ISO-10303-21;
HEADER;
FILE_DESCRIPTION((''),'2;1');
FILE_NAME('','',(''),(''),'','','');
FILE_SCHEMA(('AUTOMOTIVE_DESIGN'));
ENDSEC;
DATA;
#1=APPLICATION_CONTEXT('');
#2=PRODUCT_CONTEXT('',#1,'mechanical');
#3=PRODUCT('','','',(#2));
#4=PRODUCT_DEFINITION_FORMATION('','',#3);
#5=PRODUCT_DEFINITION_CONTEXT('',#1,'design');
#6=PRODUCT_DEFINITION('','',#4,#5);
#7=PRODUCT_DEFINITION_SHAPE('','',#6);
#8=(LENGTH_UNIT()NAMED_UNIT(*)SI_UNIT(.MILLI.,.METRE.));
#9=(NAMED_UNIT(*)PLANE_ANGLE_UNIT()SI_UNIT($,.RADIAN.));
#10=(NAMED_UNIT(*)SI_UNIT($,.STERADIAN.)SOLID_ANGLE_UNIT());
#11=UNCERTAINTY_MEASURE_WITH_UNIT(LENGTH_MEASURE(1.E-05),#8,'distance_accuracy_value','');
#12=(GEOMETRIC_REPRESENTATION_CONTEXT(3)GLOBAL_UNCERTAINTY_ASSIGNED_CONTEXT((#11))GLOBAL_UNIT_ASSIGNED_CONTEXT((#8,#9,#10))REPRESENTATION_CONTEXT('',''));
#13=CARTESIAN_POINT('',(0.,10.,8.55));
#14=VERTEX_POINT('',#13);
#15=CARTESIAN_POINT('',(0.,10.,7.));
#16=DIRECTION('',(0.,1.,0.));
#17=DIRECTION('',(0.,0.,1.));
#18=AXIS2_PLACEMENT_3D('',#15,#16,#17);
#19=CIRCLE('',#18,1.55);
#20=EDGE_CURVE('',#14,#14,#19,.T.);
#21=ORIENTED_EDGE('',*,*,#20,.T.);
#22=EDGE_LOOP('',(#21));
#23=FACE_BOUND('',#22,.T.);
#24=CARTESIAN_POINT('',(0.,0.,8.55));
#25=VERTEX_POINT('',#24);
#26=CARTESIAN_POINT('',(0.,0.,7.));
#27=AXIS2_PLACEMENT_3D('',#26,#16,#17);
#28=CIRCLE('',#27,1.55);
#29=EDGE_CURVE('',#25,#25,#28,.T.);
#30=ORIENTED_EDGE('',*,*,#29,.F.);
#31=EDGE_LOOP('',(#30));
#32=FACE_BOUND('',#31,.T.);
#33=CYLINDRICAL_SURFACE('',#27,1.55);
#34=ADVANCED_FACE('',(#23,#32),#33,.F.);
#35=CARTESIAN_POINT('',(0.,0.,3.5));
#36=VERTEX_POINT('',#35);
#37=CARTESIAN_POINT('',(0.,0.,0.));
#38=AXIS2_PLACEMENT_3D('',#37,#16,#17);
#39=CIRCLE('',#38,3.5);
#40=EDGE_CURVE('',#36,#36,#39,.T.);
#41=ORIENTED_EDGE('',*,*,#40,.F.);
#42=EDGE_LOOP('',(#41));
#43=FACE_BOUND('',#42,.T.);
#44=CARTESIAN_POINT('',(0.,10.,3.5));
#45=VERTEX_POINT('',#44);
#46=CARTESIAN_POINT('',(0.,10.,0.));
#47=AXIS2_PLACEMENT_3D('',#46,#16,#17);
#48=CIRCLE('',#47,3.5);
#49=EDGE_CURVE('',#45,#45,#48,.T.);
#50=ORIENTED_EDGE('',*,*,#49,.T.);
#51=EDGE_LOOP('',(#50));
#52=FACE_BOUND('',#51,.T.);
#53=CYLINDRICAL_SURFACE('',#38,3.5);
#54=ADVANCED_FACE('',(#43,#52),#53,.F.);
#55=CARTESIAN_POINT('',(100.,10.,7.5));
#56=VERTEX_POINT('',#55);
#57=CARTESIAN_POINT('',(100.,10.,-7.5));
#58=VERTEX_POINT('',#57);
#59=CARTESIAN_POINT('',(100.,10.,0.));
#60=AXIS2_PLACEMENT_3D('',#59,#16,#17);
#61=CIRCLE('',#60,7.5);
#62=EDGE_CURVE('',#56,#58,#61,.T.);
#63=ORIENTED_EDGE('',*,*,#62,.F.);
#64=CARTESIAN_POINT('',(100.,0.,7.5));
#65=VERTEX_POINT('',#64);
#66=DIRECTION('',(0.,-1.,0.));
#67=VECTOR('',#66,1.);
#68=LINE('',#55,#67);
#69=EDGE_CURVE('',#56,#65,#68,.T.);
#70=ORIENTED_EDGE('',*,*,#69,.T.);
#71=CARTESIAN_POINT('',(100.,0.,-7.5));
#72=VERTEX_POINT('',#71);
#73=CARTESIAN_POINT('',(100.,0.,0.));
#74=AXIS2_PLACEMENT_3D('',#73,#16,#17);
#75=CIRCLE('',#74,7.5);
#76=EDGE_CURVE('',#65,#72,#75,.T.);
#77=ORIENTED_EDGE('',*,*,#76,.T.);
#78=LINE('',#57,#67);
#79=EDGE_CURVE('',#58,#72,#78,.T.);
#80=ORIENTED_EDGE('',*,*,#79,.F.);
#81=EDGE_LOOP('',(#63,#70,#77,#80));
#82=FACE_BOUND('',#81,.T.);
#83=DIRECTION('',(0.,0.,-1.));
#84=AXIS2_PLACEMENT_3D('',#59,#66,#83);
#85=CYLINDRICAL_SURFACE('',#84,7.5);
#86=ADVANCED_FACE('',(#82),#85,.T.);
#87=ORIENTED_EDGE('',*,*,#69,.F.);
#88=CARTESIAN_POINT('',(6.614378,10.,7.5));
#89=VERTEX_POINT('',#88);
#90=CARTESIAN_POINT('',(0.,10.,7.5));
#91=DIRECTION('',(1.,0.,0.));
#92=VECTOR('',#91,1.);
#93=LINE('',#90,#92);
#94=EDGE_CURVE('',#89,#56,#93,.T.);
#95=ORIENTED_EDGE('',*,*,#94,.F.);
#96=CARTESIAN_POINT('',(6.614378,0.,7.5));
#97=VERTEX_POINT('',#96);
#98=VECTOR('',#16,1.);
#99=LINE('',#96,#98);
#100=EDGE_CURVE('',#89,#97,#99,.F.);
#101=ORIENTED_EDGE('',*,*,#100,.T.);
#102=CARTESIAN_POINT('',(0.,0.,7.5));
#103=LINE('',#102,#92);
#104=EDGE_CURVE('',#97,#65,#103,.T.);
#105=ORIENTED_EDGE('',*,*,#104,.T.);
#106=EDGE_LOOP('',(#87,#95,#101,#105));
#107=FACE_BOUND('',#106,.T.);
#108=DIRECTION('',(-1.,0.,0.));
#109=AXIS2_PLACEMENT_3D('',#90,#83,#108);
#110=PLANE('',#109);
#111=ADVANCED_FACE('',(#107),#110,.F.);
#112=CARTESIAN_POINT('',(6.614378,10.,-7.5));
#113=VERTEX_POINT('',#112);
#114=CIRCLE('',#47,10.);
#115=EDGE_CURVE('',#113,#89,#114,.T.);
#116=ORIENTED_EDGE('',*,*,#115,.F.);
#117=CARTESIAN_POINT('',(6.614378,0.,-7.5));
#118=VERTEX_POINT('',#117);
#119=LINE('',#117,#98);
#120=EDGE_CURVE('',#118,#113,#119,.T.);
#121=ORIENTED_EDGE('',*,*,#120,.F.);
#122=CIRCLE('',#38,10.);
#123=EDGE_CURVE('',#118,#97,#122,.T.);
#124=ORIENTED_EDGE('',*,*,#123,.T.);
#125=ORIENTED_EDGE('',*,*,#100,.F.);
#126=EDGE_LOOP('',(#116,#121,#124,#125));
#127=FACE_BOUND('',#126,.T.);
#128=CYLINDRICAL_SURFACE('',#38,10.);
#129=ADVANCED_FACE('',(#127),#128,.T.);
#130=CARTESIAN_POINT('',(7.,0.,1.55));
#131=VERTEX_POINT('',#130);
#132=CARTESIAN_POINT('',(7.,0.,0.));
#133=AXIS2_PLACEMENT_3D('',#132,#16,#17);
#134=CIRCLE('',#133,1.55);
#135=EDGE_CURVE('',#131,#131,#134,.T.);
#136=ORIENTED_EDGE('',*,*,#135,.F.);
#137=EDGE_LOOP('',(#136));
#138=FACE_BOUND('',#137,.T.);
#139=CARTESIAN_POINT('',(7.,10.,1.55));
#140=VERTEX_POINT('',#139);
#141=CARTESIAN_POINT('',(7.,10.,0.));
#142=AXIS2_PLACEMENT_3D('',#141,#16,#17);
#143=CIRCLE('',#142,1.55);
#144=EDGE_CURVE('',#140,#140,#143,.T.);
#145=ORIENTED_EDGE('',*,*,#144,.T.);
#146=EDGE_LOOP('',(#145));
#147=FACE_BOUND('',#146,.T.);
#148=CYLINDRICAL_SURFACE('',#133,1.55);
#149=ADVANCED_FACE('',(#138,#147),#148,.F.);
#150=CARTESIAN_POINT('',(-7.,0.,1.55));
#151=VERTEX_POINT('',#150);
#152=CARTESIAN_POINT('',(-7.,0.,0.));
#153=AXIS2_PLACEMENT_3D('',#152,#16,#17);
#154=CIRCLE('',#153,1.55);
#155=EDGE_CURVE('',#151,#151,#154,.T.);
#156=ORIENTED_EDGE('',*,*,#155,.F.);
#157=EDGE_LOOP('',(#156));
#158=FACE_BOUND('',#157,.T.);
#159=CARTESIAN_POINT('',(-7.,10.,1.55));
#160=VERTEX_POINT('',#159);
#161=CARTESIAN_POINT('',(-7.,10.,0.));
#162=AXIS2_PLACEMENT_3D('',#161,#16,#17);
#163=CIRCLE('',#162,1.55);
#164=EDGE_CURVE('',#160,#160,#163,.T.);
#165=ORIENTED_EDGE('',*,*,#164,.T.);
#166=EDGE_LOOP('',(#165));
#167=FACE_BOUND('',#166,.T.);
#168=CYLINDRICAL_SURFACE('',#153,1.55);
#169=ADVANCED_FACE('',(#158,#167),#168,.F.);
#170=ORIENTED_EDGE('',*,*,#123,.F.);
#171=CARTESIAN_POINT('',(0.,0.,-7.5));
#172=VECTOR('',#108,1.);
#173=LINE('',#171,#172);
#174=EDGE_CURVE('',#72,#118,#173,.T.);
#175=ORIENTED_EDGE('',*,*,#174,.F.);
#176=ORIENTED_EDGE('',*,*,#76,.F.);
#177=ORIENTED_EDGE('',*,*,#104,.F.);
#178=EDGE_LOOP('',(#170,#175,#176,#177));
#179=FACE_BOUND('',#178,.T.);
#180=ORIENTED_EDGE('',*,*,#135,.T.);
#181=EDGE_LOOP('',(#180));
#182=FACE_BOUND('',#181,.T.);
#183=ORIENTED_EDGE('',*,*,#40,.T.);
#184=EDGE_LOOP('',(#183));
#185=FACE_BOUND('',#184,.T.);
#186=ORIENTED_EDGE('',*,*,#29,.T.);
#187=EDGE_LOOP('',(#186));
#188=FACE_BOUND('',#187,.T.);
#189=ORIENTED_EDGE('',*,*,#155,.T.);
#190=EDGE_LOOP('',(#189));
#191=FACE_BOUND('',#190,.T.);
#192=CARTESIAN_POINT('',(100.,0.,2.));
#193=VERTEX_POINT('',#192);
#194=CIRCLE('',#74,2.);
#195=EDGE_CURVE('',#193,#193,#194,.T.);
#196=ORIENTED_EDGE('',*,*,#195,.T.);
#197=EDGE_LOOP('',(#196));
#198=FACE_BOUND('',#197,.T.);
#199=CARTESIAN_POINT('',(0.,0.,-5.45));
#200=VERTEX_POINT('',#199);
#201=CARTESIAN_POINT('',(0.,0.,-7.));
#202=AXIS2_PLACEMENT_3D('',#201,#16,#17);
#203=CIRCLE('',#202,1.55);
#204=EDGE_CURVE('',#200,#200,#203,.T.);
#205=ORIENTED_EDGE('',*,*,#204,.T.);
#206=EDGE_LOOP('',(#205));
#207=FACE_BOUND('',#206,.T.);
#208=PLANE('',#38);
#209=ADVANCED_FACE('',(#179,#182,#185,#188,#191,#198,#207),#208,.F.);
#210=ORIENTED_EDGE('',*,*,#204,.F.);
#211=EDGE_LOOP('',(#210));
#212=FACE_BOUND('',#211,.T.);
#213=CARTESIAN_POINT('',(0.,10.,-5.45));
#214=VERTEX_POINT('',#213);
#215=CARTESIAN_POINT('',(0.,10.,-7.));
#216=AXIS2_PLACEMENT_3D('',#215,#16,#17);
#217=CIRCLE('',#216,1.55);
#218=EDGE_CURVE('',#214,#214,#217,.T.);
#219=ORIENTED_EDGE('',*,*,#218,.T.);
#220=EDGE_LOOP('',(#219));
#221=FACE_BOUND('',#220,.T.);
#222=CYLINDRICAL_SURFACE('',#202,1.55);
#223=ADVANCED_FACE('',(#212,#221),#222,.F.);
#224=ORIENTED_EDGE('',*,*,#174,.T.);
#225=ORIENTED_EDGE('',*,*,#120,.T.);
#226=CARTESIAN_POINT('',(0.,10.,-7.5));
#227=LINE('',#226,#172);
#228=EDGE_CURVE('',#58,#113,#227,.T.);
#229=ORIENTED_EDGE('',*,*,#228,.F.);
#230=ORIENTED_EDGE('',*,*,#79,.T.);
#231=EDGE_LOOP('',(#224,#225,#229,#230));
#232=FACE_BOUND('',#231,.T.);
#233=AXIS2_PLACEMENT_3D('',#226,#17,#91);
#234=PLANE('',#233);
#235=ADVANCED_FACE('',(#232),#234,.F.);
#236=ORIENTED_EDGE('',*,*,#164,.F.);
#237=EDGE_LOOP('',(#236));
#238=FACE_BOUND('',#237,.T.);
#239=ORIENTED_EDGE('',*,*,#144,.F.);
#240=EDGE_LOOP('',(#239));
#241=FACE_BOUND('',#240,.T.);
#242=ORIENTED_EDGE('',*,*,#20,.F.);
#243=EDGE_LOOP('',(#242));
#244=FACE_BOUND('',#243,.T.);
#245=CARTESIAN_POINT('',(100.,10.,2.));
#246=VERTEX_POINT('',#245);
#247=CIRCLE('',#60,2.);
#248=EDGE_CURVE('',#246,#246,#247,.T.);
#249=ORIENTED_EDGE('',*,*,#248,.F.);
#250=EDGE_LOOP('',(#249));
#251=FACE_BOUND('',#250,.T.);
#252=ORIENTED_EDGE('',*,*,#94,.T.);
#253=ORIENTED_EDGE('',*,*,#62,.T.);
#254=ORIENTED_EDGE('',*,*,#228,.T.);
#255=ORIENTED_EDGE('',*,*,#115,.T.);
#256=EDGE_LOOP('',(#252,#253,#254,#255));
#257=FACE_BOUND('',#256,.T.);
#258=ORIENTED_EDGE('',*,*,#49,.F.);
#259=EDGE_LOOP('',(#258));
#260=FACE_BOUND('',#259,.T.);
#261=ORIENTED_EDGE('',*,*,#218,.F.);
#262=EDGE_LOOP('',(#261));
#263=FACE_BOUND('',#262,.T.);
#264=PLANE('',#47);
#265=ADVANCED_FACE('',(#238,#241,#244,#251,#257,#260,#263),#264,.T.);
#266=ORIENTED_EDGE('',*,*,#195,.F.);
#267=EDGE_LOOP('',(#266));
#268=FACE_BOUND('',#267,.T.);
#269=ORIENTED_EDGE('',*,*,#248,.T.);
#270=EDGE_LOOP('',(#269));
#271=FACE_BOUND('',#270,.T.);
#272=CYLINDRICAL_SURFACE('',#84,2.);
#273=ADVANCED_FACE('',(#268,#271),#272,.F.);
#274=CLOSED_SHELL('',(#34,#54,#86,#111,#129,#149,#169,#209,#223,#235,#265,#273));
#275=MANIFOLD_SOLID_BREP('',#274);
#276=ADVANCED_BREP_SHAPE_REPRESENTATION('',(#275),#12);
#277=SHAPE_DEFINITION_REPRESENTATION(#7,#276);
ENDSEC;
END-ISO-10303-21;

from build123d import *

# Parameters (mm, degrees)
SKETCH2_R           = 2.5
SKETCH2_R_2         = 2
BOSS_EXTRUDE1_DEPTH = 10
SKETCH4_R           = 1.5
CUT_EXTRUDE3_DEPTH  = 16
SKETCH7_R           = 10
BOSS_EXTRUDE4_DEPTH = 10
SKETCH8_R           = 1.55
SKETCH8_R_2         = 3.5
CUT_EXTRUDE7_DEPTH  = 10


with BuildPart() as part:
    # Sketch2 → Boss-Extrude1 (new body)
    with BuildSketch(Plane(origin=(0, 0, 0), x_dir=(1, 0, 0), z_dir=(0, 1, 0))):
        with BuildLine():
            Line((0, 7.5), (100, 7.5))
            ThreePointArc((100, 7.5), (107.5, 0), (100, -7.5))
            Line((100, -7.5), (0, -7.5))
            ThreePointArc((0, -7.5), (-7.5, 0), (0, 7.5))
        make_face()
        Circle(SKETCH2_R, mode=Mode.SUBTRACT)
        with Locations((100, 0)):
            Circle(SKETCH2_R_2, mode=Mode.SUBTRACT)
    extrude(amount=BOSS_EXTRUDE1_DEPTH)

    # Sketch4 → Cut-Extrude3 (cut, through all)
    with BuildSketch(Plane(origin=(0, 0, -7.5), x_dir=(-1, 0, 0), z_dir=(0, 0, -1))):
        with Locations((0, 5)):
            Circle(SKETCH4_R)
    extrude(amount=-CUT_EXTRUDE3_DEPTH, mode=Mode.SUBTRACT)

    # Sketch7 → Boss-Extrude4 (add)
    with BuildSketch(Plane(origin=(0, 10, 0), x_dir=(1, 0, 0), z_dir=(0, 1, 0))):
        Circle(SKETCH7_R)
    extrude(amount=-BOSS_EXTRUDE4_DEPTH)

    # Sketch8 → Cut-Extrude7 (cut)
    with BuildSketch(Plane(origin=(0, 10, 0), x_dir=(1, 0, 0), z_dir=(0, 1, 0))):
        with Locations((0, 7)):
            Circle(SKETCH8_R)
        with Locations((7, 0)):
            Circle(SKETCH8_R)
        with Locations((0, -7)):
            Circle(SKETCH8_R)
        with Locations((-7, 0)):
            Circle(SKETCH8_R)
        Circle(SKETCH8_R_2)
    extrude(amount=-CUT_EXTRUDE7_DEPTH, mode=Mode.SUBTRACT)


solid = part.part
